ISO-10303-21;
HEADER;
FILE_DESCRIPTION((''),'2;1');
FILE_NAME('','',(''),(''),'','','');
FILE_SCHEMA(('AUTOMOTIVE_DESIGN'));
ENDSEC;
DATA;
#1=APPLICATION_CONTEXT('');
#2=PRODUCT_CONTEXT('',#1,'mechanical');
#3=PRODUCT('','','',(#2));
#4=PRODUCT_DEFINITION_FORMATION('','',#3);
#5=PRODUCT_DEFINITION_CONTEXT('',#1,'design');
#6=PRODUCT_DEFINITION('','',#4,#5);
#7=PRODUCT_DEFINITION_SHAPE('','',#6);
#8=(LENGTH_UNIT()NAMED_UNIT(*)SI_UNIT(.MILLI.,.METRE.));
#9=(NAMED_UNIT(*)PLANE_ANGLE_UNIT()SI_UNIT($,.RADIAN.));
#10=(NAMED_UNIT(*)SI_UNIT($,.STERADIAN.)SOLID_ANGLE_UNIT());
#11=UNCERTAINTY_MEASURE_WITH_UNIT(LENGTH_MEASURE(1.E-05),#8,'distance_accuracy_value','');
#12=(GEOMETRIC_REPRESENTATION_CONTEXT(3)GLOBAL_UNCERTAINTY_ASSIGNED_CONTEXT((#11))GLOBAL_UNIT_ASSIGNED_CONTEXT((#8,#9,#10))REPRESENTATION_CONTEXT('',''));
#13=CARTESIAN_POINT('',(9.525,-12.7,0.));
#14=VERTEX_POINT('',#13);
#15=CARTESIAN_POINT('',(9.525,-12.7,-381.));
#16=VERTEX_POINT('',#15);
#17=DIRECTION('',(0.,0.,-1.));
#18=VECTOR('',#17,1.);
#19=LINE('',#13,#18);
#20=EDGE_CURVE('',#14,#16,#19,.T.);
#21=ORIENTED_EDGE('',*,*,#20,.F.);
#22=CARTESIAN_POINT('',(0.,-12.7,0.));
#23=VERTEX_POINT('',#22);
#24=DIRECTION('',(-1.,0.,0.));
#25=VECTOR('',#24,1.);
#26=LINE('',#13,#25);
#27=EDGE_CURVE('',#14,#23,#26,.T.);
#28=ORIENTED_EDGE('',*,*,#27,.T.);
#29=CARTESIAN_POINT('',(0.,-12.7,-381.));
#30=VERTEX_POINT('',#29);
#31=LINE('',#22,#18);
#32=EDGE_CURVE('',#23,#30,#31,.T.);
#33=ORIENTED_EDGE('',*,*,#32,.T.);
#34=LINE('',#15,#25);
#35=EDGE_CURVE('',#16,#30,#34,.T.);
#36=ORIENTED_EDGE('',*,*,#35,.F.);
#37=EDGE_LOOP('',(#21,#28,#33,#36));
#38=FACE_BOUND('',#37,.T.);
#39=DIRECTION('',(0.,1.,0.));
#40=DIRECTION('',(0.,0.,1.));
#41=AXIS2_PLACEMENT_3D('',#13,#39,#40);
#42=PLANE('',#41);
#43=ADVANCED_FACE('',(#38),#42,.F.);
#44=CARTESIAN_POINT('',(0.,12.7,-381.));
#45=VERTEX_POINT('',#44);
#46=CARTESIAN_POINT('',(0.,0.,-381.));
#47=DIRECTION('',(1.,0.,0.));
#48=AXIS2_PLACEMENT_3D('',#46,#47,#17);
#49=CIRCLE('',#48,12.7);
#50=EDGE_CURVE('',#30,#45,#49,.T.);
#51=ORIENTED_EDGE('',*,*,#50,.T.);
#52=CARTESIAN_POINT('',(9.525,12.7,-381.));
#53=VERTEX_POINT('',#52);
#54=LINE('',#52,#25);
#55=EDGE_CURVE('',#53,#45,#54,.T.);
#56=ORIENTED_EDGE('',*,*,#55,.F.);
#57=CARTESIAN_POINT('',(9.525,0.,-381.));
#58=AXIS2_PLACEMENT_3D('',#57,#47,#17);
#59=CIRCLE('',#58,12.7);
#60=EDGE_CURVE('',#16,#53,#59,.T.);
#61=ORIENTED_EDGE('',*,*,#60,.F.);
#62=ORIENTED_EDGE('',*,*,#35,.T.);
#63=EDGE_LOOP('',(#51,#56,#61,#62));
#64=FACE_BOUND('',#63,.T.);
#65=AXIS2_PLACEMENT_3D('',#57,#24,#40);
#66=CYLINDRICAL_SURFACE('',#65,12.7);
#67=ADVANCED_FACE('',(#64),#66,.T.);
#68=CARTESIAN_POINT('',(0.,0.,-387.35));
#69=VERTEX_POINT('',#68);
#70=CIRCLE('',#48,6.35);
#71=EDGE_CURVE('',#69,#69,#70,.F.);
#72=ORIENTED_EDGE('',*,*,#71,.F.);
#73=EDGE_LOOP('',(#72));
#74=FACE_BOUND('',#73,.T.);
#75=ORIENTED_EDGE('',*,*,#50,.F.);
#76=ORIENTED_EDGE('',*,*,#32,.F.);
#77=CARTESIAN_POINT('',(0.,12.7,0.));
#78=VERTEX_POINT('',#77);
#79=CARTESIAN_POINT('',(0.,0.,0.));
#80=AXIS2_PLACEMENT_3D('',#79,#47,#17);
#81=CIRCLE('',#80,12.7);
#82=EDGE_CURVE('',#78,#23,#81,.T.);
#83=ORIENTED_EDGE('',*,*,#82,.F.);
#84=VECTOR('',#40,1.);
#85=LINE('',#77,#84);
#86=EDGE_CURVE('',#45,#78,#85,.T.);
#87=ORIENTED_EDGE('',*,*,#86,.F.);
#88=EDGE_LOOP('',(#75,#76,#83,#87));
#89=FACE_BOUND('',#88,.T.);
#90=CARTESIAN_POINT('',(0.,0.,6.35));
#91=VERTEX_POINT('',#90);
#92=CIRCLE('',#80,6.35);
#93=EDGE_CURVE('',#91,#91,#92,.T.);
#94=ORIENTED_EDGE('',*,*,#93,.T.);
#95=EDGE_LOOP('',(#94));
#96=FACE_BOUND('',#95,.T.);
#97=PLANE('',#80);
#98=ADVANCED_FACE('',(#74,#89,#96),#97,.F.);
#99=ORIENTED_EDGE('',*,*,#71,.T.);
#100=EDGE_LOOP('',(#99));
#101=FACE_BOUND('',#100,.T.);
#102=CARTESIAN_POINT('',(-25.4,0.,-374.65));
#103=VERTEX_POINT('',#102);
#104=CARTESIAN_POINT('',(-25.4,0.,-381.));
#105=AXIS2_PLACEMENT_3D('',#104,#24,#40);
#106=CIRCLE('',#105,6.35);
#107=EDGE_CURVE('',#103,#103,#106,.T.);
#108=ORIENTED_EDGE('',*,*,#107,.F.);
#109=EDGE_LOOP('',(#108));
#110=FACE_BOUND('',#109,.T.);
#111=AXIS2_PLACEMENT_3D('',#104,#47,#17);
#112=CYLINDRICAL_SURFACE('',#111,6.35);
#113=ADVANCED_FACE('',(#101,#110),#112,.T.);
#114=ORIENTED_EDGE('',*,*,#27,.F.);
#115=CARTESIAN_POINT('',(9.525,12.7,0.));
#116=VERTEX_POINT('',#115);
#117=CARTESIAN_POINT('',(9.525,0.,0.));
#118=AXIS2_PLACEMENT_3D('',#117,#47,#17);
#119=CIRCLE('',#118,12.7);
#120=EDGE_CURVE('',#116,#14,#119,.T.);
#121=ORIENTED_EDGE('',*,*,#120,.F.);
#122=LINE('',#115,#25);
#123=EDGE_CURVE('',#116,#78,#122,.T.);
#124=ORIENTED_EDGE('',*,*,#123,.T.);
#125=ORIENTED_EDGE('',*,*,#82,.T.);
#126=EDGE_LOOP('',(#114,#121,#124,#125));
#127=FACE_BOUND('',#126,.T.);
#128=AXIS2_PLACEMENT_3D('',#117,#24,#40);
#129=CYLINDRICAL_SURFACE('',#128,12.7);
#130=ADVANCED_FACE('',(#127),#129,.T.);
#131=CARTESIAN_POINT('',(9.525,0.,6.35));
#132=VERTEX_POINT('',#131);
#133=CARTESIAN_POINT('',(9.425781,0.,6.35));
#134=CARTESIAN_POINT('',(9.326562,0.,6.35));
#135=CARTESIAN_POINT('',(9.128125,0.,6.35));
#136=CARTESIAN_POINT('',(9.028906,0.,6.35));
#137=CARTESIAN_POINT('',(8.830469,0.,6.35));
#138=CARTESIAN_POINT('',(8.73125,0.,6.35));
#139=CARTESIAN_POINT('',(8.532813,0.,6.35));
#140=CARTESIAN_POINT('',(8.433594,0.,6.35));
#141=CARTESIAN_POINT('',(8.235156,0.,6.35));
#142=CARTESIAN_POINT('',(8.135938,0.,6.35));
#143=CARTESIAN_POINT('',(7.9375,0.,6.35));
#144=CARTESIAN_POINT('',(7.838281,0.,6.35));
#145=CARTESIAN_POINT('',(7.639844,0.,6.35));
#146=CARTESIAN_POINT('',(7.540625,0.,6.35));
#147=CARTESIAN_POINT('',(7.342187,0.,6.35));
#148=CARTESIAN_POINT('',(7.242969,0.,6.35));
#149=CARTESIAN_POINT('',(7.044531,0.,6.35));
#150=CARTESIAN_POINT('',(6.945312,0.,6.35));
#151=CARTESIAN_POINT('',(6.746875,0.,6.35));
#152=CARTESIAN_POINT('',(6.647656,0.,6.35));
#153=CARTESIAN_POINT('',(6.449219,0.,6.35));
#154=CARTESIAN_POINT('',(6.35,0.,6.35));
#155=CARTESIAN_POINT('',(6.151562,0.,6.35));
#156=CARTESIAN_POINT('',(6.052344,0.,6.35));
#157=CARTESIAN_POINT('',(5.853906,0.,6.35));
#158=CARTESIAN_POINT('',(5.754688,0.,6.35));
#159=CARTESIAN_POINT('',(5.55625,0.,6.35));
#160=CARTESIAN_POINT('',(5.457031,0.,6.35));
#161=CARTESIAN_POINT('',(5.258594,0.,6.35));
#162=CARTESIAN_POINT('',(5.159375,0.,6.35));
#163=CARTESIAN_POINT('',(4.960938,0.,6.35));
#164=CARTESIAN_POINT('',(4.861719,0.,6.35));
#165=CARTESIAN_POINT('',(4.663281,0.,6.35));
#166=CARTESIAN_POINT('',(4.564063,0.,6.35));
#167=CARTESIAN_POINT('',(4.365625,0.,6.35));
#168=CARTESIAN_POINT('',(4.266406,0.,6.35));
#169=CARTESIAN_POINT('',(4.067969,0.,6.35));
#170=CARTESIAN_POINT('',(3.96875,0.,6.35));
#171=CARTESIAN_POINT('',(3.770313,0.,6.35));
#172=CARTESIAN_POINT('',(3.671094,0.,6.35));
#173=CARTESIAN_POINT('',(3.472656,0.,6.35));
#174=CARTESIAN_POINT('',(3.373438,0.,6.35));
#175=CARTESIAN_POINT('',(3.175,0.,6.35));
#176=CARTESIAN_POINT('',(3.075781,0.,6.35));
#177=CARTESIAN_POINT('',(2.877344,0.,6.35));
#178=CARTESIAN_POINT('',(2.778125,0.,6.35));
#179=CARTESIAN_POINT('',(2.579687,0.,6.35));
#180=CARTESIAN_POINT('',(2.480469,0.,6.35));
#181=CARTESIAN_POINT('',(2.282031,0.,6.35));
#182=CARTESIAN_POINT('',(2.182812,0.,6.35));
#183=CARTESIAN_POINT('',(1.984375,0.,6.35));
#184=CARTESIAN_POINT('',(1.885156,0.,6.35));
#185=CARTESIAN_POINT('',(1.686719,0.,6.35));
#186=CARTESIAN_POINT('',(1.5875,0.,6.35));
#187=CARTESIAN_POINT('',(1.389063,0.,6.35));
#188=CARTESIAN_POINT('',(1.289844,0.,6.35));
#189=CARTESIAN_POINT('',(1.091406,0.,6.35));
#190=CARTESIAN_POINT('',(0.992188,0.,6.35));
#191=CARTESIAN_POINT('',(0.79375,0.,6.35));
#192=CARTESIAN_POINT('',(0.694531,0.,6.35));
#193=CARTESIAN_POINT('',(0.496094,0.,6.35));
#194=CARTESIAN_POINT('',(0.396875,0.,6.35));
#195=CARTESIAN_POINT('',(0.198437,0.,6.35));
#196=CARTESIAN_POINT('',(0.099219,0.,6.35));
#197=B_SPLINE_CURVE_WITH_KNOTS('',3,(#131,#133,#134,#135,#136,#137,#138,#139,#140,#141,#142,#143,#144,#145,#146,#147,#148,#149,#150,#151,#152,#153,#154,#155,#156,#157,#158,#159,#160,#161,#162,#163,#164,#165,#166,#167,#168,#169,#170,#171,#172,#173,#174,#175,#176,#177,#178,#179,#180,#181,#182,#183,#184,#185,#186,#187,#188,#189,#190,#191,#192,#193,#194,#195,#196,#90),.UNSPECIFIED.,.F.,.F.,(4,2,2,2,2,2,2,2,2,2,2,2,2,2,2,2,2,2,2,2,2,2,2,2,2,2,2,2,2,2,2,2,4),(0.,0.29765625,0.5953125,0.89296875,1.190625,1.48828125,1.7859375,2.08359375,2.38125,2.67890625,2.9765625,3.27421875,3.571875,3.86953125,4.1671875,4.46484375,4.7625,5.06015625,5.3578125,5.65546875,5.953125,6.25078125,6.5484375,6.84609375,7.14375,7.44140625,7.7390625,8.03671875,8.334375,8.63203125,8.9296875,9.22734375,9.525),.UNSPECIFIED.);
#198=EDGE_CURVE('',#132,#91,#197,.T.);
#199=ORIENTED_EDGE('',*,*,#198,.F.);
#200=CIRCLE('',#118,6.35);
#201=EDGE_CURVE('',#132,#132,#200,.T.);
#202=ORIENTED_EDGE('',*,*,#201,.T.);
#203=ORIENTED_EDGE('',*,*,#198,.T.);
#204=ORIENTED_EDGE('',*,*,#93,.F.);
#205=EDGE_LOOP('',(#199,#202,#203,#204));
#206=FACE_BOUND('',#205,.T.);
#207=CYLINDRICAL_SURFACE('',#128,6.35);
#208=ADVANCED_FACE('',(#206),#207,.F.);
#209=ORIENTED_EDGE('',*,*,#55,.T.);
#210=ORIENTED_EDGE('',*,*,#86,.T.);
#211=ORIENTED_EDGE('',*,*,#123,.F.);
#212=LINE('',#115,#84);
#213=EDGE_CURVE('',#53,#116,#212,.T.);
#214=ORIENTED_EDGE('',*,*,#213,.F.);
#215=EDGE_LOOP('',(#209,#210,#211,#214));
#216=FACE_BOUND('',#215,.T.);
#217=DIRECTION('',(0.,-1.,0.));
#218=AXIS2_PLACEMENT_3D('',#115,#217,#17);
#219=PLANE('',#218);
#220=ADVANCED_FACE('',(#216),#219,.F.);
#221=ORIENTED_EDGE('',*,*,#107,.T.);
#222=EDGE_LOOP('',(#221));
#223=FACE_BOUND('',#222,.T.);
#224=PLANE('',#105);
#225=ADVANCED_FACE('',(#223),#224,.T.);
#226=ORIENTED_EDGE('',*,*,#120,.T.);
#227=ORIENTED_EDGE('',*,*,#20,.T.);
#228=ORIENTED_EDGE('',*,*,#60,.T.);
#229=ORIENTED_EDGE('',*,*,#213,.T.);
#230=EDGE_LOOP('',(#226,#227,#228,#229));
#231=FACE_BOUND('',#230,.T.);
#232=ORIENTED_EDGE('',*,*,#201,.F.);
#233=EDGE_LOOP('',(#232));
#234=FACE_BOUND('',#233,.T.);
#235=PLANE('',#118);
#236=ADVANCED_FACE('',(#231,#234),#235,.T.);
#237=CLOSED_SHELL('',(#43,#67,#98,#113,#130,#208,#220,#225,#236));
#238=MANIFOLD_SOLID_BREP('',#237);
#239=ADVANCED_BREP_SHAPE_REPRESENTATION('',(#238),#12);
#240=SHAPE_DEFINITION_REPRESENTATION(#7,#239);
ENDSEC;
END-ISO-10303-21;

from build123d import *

# Parameters (mm, degrees)
SKETCH2_R           = 6.35
BOSS_EXTRUDE1_DEPTH = 9.525
SKETCH4_R           = 6.35
BOSS_EXTRUDE3_DEPTH = 25.4


with BuildPart() as part:
    # Sketch2 → Boss-Extrude1 (new body)
    with BuildSketch(Plane(origin=(0, 0, 0), x_dir=(0, 0, -1), z_dir=(1, 0, 0))):
        with BuildLine():
            Line((0, 12.7), (381, 12.7))
            ThreePointArc((381, 12.7), (393.7, 0), (381, -12.7))
            Line((381, -12.7), (0, -12.7))
            ThreePointArc((0, -12.7), (-12.7, 0), (0, 12.7))
        make_face()
        with Locations(Location((0, 0, 0), (0, 0, 180))):
            Circle(SKETCH2_R, mode=Mode.SUBTRACT)
    extrude(amount=BOSS_EXTRUDE1_DEPTH)

    # Sketch4 → Boss-Extrude3 (add)
    with BuildSketch(Plane.ZY):
        with Locations(Location((-381, 0, 0), (0, 0, 180))):
            Circle(SKETCH4_R)
    extrude(amount=BOSS_EXTRUDE3_DEPTH)


solid = part.part
